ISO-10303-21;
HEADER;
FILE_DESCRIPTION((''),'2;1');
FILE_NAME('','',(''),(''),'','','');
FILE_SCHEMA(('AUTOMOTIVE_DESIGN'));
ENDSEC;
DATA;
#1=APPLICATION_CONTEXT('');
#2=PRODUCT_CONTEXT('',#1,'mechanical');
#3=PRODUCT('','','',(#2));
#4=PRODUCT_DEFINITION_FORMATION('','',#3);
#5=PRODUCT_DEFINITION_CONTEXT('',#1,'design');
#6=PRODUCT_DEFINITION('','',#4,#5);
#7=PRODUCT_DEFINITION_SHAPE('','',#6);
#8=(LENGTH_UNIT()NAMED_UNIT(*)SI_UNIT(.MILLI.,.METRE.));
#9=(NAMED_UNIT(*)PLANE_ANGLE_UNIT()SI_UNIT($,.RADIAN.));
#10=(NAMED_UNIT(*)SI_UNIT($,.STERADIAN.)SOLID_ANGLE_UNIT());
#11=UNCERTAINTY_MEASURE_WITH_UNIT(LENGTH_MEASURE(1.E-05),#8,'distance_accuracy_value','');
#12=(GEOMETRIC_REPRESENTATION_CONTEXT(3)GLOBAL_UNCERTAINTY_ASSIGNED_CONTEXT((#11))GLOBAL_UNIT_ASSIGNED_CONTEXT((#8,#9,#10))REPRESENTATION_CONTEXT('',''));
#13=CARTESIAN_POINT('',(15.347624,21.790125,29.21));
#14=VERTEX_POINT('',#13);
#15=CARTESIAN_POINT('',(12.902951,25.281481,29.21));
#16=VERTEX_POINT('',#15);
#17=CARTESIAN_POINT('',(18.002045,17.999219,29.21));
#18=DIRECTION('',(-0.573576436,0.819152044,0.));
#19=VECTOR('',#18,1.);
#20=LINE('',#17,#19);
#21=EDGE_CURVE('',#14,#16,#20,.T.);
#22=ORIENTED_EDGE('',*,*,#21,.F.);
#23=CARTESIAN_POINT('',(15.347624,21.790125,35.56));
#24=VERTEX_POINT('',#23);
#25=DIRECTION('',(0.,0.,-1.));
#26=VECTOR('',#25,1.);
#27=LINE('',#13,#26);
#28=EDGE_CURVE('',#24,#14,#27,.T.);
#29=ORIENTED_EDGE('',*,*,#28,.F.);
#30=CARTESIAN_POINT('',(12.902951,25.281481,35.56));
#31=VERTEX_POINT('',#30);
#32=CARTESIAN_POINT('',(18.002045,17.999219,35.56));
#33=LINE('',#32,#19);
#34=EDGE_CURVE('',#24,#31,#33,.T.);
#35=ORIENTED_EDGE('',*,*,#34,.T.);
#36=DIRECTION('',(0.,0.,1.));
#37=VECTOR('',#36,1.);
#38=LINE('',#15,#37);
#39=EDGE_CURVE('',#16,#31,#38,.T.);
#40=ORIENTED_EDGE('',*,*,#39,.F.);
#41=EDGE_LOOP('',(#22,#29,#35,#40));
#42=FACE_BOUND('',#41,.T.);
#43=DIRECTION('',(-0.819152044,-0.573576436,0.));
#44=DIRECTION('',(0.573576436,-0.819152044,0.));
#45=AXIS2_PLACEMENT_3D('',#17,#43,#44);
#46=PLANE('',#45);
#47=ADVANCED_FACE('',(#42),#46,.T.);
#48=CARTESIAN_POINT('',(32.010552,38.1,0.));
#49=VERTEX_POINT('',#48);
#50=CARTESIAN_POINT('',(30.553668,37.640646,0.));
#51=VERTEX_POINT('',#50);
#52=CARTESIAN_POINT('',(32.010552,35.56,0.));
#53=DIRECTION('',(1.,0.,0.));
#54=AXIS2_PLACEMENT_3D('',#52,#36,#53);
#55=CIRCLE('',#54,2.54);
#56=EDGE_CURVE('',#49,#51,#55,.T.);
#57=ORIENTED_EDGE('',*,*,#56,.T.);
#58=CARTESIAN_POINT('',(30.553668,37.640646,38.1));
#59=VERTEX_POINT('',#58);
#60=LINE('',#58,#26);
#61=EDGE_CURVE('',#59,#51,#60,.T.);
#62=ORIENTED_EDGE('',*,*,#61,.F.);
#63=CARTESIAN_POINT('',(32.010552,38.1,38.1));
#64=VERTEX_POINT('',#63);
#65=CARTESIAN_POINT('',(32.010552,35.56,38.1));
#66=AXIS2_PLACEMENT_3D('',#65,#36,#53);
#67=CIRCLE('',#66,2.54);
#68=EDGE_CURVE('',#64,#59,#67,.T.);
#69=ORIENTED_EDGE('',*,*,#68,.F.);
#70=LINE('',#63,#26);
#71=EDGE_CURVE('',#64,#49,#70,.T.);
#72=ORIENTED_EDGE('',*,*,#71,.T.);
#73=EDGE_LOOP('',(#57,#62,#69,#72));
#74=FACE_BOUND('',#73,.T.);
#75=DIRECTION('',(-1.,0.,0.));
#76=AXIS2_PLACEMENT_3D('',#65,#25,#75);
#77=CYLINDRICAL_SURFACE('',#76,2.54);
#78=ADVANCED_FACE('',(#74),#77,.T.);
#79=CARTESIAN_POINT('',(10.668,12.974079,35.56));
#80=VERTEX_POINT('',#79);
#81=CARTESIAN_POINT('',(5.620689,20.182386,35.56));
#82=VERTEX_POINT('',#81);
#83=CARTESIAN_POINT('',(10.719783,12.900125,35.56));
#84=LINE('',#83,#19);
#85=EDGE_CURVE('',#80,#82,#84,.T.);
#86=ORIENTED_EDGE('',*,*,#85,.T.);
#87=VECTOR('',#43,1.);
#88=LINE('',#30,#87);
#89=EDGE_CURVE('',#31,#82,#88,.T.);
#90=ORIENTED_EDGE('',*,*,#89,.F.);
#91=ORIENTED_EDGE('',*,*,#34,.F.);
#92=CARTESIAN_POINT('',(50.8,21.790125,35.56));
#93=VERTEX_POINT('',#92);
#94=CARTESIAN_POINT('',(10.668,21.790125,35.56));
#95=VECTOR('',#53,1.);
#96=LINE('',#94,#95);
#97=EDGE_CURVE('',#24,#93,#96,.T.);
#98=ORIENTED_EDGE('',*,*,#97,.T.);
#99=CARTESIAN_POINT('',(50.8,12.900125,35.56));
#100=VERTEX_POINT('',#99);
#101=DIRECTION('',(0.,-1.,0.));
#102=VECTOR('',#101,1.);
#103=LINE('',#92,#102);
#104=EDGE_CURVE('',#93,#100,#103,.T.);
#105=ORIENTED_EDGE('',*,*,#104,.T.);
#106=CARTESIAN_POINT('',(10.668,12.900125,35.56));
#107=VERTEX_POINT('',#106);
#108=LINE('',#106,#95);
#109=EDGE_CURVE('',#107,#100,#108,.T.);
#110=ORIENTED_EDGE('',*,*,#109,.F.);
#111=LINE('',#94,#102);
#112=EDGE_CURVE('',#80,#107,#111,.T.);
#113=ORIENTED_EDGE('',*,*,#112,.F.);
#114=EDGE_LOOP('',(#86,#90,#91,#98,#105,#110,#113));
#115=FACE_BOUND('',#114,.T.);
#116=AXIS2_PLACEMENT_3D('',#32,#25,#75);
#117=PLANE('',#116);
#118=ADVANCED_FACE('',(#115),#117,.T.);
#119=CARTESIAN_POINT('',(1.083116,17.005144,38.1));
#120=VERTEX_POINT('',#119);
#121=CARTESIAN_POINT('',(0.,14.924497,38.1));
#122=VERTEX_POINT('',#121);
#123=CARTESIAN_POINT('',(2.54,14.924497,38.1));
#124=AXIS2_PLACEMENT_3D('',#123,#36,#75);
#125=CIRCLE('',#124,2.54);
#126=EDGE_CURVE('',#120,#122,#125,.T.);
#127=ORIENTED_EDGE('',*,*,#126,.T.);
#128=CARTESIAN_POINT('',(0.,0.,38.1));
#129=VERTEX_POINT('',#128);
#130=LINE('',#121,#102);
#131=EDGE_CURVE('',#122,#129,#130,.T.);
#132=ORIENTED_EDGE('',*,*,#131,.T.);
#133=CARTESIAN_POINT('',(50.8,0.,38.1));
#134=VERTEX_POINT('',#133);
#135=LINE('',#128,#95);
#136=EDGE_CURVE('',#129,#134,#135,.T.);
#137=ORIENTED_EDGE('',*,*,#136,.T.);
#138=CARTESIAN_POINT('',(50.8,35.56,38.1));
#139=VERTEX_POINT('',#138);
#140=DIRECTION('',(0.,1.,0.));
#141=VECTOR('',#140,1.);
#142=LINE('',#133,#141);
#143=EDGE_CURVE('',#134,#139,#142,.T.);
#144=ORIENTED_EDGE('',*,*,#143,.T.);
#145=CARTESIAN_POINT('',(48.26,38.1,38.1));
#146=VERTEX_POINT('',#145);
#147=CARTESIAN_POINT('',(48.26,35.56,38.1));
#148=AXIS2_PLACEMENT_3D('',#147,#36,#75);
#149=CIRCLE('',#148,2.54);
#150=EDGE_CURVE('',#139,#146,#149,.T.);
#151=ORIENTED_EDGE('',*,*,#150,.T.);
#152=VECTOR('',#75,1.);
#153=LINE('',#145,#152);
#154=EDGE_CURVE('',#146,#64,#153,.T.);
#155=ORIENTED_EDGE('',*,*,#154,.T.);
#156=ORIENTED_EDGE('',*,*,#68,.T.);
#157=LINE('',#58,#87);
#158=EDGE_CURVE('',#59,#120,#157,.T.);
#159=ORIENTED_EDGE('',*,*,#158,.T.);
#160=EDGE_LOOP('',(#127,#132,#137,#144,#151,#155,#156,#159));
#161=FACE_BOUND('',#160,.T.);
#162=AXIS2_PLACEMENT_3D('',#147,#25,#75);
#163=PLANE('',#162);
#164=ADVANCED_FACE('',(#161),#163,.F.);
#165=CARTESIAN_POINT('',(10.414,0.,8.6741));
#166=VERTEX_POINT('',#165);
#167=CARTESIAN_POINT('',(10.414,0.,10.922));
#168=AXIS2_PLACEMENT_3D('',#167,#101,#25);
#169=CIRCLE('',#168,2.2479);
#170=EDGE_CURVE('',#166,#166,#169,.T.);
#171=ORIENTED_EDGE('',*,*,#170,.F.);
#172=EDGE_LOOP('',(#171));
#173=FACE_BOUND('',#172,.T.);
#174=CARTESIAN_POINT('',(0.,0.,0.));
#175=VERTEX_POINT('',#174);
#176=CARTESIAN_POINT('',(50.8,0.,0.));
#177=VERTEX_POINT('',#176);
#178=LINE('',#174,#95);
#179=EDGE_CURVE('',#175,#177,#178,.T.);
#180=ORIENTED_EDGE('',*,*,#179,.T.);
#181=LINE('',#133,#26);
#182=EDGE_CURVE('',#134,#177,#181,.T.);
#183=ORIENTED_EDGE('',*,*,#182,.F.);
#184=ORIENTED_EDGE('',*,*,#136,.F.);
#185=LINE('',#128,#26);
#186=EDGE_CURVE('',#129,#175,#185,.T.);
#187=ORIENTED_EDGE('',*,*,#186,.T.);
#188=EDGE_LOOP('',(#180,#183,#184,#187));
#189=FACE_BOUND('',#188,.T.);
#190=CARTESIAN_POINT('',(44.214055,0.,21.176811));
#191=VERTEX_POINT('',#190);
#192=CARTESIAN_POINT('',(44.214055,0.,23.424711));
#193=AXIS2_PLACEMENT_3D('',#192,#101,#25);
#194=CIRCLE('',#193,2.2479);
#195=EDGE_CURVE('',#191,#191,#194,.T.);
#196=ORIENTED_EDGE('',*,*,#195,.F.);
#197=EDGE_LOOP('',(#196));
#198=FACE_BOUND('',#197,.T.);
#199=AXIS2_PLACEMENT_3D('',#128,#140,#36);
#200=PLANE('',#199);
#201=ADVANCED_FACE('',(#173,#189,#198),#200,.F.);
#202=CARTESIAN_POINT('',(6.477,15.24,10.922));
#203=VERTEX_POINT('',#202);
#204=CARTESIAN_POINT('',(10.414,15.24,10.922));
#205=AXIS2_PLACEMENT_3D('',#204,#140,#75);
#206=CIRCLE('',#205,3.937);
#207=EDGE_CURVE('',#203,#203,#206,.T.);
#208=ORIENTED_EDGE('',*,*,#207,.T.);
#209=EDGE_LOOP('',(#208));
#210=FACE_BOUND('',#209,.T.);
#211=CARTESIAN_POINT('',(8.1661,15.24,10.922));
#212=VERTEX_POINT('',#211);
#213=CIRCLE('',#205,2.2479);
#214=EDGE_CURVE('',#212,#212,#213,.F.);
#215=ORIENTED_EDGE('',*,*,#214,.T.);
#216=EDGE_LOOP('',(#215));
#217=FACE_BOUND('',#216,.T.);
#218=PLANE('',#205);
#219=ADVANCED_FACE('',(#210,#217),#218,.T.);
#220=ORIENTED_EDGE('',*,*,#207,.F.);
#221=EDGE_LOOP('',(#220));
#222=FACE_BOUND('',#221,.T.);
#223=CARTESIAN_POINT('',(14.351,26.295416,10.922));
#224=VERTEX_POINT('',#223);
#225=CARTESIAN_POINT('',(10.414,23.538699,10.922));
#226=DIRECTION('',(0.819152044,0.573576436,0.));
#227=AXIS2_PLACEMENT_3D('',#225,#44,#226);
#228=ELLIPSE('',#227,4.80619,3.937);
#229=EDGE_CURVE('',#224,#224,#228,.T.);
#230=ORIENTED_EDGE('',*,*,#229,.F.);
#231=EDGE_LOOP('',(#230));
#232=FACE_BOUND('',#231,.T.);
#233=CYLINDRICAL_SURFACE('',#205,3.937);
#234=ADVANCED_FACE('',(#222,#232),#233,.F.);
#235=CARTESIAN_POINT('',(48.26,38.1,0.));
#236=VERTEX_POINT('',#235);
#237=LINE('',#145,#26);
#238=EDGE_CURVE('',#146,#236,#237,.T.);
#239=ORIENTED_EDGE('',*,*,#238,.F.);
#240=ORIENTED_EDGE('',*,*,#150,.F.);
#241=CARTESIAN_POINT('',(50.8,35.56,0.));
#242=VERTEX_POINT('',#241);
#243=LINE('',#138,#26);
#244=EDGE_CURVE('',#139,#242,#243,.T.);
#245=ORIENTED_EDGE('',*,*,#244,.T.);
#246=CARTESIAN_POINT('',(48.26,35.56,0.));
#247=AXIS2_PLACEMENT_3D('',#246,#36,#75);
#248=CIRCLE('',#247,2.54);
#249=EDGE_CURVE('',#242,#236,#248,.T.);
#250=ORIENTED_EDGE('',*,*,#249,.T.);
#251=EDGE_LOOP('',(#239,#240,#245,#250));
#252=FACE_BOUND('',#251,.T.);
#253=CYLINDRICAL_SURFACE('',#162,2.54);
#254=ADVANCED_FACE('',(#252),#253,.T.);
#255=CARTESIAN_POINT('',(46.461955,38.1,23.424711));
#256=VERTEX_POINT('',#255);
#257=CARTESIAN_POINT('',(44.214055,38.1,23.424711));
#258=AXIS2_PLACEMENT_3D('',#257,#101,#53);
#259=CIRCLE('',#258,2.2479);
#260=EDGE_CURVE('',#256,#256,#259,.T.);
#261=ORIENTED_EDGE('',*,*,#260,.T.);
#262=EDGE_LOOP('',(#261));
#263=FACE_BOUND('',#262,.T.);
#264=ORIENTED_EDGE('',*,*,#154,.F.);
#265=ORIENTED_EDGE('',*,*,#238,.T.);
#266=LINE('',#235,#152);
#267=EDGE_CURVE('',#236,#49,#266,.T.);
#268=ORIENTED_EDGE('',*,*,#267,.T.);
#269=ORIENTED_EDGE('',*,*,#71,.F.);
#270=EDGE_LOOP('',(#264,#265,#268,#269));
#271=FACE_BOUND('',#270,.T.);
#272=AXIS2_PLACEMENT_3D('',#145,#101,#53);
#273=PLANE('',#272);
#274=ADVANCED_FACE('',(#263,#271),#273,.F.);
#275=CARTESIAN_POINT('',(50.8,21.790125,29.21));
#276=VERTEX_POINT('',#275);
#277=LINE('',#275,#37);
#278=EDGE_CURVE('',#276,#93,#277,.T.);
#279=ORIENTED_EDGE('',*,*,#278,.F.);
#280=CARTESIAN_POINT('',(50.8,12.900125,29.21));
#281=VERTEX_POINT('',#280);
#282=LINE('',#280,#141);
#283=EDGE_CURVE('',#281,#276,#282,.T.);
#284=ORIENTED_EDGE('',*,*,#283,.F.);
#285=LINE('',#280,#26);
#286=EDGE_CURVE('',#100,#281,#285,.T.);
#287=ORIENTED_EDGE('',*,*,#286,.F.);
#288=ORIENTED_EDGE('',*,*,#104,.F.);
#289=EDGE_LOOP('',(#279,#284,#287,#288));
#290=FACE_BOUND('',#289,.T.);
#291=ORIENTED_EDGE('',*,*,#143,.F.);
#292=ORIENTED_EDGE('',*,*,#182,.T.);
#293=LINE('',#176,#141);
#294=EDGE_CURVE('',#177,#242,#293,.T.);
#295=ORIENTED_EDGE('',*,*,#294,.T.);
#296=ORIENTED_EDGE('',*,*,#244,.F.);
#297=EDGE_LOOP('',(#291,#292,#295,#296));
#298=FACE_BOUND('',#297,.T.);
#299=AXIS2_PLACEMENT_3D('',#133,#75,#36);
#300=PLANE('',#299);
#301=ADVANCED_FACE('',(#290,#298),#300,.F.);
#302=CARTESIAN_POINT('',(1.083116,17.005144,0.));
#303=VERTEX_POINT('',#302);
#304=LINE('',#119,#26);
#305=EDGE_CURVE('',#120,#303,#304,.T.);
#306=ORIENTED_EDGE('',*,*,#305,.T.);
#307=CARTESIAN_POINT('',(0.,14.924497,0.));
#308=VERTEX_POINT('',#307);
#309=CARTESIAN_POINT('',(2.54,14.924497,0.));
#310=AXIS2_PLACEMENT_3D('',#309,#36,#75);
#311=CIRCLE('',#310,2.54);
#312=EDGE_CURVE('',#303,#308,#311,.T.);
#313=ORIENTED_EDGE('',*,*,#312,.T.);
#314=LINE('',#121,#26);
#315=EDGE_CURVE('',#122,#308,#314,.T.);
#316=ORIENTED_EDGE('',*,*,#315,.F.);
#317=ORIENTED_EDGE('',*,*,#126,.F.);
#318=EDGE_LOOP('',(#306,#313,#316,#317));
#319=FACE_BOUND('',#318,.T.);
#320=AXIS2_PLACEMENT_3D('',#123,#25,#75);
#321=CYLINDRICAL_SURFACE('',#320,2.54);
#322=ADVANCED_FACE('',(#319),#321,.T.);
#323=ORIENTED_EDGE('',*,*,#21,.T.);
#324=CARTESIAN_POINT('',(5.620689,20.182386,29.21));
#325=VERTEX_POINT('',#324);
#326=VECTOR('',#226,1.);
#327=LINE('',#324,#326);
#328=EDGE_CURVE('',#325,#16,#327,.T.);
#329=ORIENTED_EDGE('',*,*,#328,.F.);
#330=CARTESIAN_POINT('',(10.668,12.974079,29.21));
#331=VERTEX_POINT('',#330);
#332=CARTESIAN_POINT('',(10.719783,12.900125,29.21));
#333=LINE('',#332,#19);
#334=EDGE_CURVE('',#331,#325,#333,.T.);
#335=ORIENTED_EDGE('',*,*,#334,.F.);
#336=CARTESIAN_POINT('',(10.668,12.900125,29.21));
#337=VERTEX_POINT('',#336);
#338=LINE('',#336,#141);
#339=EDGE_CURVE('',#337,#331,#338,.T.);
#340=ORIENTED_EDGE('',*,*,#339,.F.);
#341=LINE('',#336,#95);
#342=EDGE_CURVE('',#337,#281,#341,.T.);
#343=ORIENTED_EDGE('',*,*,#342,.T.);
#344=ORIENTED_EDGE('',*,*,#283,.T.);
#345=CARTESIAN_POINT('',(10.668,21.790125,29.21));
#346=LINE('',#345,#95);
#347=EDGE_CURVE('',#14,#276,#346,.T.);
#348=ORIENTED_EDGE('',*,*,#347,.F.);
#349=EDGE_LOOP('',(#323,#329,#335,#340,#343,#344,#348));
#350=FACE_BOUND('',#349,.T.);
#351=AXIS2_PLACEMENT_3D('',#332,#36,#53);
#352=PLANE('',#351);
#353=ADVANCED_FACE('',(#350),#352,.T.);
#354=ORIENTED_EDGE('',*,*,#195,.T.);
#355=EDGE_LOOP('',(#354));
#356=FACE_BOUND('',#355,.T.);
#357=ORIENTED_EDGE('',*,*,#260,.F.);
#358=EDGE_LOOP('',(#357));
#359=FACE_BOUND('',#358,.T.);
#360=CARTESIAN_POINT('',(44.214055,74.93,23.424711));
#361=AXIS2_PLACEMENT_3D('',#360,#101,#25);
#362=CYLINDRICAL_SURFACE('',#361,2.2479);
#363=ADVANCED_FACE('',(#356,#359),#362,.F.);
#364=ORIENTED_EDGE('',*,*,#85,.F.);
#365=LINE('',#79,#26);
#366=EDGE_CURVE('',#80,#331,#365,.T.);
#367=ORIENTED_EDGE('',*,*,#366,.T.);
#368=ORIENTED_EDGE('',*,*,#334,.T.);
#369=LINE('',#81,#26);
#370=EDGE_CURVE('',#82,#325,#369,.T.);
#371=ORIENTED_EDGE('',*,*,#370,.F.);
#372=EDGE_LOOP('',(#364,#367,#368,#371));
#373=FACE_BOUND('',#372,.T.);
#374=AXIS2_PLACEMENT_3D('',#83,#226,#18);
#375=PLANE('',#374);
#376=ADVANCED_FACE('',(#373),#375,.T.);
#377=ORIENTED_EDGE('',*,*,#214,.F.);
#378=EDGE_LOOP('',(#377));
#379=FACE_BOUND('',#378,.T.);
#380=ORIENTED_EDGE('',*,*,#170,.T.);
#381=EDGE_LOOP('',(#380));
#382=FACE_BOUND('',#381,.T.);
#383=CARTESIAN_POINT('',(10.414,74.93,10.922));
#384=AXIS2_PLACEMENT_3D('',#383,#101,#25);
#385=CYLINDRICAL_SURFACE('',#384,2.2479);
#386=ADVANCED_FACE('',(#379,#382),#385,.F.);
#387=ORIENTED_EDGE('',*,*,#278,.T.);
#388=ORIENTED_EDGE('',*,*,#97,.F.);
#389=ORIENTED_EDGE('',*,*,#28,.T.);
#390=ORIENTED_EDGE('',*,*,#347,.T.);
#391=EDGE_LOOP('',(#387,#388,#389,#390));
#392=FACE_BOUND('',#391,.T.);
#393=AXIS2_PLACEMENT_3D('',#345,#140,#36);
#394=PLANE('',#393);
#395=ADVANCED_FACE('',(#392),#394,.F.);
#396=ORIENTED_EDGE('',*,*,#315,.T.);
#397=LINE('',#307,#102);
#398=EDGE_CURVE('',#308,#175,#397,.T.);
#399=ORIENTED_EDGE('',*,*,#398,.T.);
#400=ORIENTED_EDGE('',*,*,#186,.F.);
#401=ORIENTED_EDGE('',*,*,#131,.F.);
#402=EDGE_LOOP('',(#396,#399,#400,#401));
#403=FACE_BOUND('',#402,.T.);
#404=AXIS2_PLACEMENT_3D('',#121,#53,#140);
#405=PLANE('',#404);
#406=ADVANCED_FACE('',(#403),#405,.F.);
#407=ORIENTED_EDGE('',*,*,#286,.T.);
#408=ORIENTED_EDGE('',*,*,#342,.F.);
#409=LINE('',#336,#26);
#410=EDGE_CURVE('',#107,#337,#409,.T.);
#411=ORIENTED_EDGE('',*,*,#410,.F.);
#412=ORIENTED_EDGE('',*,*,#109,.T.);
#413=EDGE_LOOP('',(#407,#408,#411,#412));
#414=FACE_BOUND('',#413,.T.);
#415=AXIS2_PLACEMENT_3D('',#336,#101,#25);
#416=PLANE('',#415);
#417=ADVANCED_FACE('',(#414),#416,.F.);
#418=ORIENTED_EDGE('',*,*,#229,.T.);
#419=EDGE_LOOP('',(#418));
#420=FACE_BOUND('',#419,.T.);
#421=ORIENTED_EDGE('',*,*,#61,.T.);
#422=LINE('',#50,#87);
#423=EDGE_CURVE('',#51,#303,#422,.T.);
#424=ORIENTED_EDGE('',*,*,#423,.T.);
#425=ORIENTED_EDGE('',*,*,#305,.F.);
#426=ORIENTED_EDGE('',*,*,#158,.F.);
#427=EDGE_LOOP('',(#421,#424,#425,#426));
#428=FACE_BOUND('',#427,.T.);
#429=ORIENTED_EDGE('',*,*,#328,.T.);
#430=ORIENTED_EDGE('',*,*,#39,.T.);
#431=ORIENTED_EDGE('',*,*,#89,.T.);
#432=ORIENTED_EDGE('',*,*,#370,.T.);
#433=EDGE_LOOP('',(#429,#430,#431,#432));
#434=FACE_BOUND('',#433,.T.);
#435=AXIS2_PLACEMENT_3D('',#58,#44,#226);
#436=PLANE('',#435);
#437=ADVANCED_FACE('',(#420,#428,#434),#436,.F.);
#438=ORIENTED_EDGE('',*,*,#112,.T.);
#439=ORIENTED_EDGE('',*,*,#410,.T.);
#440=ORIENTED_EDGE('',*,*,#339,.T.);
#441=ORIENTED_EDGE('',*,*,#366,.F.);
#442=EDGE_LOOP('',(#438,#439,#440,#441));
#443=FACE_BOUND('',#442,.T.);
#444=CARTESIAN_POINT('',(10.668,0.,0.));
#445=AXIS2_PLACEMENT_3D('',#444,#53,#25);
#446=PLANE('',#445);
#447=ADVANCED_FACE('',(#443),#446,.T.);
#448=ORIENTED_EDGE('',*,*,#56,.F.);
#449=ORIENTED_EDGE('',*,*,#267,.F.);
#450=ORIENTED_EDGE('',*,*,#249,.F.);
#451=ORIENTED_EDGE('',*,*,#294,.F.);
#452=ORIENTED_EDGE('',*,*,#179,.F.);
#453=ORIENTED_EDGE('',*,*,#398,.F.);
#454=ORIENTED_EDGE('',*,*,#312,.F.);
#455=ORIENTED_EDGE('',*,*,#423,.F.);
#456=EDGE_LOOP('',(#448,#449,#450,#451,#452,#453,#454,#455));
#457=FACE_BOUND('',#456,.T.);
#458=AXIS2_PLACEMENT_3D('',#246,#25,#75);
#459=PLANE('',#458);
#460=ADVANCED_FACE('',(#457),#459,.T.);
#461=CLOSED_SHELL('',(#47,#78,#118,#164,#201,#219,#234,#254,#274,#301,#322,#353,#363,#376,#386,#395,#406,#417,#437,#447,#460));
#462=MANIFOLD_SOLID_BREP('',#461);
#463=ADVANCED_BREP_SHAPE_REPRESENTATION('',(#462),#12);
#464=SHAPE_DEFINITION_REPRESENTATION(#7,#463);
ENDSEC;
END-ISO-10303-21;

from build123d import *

# Parameters (mm, degrees)
BOSS_EXTRUDE1_DEPTH = 38.1
SKETCH4_W           = 8.89
SKETCH4_H           = 6.35
CUT_EXTRUDE1_DEPTH  = 8.89
SKETCH5_W           = 6.35
SKETCH5_H           = 8.89
CUT_EXTRUDE2_DEPTH  = 40.132
SKETCH6_R           = 2.2479
CUT_EXTRUDE3_DEPTH  = 74.93
CUT_EXTRUDE8_START  = -11.43
SKETCH10_R          = 3.937
CUT_EXTRUDE8_DEPTH  = 11.43


with BuildPart() as part:
    # Sketch1 → Boss-Extrude1 (new body)
    with BuildSketch(Plane.XY):
        with BuildLine():
            Line((0, 0), (50.8, 0))
            Line((50.8, 0), (50.8, 35.56))
            ThreePointArc((50.8, 35.56), (50.056051224, 37.356051224), (48.26, 38.1))
            Line((48.26, 38.1), (32.010551811, 38.1))
            ThreePointArc((32.010551811, 38.1), (31.24675908, 37.982441055), (30.553667663, 37.640646192))
            Line((30.553667663, 37.640646192), (1.083115852, 17.005143659))
            ThreePointArc((1.083115852, 17.005143659), (0.286992484, 16.097338944), (0, 14.924497467))
            Line((0, 14.924497467), (0, 0))
        make_face()
    extrude(amount=BOSS_EXTRUDE1_DEPTH)

    # Sketch4 → Cut-Extrude1 (cut)
    with BuildSketch(Plane(origin=(-7.6334698, 10.901724679, 0), x_dir=(0.819152044, 0.573576436, 0), z_dir=(-0.573576436, 0.819152044, 0))):
        with Locations((20.625340071, -32.385)):
            Rectangle(SKETCH4_W, SKETCH4_H)
    extrude(amount=-CUT_EXTRUDE1_DEPTH, mode=Mode.SUBTRACT)

    # Sketch5 → Cut-Extrude2 (cut)
    with BuildSketch(Plane(origin=(50.8, 0, 0), x_dir=(0, 0, -1), z_dir=(1, 0, 0))):
        with Locations((-32.385, 17.345124802)):
            Rectangle(SKETCH5_W, SKETCH5_H)
    extrude(amount=-CUT_EXTRUDE2_DEPTH, mode=Mode.SUBTRACT)

    # Sketch6 → Cut-Extrude3 (cut)
    with BuildSketch(Plane.XZ):
        with Locations((44.214054574, 23.424710834)):
            Circle(SKETCH6_R)
        with Locations((10.414, 10.922)):
            Circle(SKETCH6_R)
    extrude(amount=-CUT_EXTRUDE3_DEPTH, mode=Mode.SUBTRACT)

    # Sketch10 → Cut-Extrude8 (cut)
    with BuildSketch(Plane(origin=(0, 38.1, 0), x_dir=(1, 0, 0), z_dir=(0, 1, 0)).offset(CUT_EXTRUDE8_START)):
        with Locations((10.414, -10.922)):
            Circle(SKETCH10_R)
    extrude(amount=-CUT_EXTRUDE8_DEPTH, mode=Mode.SUBTRACT)


solid = part.part
